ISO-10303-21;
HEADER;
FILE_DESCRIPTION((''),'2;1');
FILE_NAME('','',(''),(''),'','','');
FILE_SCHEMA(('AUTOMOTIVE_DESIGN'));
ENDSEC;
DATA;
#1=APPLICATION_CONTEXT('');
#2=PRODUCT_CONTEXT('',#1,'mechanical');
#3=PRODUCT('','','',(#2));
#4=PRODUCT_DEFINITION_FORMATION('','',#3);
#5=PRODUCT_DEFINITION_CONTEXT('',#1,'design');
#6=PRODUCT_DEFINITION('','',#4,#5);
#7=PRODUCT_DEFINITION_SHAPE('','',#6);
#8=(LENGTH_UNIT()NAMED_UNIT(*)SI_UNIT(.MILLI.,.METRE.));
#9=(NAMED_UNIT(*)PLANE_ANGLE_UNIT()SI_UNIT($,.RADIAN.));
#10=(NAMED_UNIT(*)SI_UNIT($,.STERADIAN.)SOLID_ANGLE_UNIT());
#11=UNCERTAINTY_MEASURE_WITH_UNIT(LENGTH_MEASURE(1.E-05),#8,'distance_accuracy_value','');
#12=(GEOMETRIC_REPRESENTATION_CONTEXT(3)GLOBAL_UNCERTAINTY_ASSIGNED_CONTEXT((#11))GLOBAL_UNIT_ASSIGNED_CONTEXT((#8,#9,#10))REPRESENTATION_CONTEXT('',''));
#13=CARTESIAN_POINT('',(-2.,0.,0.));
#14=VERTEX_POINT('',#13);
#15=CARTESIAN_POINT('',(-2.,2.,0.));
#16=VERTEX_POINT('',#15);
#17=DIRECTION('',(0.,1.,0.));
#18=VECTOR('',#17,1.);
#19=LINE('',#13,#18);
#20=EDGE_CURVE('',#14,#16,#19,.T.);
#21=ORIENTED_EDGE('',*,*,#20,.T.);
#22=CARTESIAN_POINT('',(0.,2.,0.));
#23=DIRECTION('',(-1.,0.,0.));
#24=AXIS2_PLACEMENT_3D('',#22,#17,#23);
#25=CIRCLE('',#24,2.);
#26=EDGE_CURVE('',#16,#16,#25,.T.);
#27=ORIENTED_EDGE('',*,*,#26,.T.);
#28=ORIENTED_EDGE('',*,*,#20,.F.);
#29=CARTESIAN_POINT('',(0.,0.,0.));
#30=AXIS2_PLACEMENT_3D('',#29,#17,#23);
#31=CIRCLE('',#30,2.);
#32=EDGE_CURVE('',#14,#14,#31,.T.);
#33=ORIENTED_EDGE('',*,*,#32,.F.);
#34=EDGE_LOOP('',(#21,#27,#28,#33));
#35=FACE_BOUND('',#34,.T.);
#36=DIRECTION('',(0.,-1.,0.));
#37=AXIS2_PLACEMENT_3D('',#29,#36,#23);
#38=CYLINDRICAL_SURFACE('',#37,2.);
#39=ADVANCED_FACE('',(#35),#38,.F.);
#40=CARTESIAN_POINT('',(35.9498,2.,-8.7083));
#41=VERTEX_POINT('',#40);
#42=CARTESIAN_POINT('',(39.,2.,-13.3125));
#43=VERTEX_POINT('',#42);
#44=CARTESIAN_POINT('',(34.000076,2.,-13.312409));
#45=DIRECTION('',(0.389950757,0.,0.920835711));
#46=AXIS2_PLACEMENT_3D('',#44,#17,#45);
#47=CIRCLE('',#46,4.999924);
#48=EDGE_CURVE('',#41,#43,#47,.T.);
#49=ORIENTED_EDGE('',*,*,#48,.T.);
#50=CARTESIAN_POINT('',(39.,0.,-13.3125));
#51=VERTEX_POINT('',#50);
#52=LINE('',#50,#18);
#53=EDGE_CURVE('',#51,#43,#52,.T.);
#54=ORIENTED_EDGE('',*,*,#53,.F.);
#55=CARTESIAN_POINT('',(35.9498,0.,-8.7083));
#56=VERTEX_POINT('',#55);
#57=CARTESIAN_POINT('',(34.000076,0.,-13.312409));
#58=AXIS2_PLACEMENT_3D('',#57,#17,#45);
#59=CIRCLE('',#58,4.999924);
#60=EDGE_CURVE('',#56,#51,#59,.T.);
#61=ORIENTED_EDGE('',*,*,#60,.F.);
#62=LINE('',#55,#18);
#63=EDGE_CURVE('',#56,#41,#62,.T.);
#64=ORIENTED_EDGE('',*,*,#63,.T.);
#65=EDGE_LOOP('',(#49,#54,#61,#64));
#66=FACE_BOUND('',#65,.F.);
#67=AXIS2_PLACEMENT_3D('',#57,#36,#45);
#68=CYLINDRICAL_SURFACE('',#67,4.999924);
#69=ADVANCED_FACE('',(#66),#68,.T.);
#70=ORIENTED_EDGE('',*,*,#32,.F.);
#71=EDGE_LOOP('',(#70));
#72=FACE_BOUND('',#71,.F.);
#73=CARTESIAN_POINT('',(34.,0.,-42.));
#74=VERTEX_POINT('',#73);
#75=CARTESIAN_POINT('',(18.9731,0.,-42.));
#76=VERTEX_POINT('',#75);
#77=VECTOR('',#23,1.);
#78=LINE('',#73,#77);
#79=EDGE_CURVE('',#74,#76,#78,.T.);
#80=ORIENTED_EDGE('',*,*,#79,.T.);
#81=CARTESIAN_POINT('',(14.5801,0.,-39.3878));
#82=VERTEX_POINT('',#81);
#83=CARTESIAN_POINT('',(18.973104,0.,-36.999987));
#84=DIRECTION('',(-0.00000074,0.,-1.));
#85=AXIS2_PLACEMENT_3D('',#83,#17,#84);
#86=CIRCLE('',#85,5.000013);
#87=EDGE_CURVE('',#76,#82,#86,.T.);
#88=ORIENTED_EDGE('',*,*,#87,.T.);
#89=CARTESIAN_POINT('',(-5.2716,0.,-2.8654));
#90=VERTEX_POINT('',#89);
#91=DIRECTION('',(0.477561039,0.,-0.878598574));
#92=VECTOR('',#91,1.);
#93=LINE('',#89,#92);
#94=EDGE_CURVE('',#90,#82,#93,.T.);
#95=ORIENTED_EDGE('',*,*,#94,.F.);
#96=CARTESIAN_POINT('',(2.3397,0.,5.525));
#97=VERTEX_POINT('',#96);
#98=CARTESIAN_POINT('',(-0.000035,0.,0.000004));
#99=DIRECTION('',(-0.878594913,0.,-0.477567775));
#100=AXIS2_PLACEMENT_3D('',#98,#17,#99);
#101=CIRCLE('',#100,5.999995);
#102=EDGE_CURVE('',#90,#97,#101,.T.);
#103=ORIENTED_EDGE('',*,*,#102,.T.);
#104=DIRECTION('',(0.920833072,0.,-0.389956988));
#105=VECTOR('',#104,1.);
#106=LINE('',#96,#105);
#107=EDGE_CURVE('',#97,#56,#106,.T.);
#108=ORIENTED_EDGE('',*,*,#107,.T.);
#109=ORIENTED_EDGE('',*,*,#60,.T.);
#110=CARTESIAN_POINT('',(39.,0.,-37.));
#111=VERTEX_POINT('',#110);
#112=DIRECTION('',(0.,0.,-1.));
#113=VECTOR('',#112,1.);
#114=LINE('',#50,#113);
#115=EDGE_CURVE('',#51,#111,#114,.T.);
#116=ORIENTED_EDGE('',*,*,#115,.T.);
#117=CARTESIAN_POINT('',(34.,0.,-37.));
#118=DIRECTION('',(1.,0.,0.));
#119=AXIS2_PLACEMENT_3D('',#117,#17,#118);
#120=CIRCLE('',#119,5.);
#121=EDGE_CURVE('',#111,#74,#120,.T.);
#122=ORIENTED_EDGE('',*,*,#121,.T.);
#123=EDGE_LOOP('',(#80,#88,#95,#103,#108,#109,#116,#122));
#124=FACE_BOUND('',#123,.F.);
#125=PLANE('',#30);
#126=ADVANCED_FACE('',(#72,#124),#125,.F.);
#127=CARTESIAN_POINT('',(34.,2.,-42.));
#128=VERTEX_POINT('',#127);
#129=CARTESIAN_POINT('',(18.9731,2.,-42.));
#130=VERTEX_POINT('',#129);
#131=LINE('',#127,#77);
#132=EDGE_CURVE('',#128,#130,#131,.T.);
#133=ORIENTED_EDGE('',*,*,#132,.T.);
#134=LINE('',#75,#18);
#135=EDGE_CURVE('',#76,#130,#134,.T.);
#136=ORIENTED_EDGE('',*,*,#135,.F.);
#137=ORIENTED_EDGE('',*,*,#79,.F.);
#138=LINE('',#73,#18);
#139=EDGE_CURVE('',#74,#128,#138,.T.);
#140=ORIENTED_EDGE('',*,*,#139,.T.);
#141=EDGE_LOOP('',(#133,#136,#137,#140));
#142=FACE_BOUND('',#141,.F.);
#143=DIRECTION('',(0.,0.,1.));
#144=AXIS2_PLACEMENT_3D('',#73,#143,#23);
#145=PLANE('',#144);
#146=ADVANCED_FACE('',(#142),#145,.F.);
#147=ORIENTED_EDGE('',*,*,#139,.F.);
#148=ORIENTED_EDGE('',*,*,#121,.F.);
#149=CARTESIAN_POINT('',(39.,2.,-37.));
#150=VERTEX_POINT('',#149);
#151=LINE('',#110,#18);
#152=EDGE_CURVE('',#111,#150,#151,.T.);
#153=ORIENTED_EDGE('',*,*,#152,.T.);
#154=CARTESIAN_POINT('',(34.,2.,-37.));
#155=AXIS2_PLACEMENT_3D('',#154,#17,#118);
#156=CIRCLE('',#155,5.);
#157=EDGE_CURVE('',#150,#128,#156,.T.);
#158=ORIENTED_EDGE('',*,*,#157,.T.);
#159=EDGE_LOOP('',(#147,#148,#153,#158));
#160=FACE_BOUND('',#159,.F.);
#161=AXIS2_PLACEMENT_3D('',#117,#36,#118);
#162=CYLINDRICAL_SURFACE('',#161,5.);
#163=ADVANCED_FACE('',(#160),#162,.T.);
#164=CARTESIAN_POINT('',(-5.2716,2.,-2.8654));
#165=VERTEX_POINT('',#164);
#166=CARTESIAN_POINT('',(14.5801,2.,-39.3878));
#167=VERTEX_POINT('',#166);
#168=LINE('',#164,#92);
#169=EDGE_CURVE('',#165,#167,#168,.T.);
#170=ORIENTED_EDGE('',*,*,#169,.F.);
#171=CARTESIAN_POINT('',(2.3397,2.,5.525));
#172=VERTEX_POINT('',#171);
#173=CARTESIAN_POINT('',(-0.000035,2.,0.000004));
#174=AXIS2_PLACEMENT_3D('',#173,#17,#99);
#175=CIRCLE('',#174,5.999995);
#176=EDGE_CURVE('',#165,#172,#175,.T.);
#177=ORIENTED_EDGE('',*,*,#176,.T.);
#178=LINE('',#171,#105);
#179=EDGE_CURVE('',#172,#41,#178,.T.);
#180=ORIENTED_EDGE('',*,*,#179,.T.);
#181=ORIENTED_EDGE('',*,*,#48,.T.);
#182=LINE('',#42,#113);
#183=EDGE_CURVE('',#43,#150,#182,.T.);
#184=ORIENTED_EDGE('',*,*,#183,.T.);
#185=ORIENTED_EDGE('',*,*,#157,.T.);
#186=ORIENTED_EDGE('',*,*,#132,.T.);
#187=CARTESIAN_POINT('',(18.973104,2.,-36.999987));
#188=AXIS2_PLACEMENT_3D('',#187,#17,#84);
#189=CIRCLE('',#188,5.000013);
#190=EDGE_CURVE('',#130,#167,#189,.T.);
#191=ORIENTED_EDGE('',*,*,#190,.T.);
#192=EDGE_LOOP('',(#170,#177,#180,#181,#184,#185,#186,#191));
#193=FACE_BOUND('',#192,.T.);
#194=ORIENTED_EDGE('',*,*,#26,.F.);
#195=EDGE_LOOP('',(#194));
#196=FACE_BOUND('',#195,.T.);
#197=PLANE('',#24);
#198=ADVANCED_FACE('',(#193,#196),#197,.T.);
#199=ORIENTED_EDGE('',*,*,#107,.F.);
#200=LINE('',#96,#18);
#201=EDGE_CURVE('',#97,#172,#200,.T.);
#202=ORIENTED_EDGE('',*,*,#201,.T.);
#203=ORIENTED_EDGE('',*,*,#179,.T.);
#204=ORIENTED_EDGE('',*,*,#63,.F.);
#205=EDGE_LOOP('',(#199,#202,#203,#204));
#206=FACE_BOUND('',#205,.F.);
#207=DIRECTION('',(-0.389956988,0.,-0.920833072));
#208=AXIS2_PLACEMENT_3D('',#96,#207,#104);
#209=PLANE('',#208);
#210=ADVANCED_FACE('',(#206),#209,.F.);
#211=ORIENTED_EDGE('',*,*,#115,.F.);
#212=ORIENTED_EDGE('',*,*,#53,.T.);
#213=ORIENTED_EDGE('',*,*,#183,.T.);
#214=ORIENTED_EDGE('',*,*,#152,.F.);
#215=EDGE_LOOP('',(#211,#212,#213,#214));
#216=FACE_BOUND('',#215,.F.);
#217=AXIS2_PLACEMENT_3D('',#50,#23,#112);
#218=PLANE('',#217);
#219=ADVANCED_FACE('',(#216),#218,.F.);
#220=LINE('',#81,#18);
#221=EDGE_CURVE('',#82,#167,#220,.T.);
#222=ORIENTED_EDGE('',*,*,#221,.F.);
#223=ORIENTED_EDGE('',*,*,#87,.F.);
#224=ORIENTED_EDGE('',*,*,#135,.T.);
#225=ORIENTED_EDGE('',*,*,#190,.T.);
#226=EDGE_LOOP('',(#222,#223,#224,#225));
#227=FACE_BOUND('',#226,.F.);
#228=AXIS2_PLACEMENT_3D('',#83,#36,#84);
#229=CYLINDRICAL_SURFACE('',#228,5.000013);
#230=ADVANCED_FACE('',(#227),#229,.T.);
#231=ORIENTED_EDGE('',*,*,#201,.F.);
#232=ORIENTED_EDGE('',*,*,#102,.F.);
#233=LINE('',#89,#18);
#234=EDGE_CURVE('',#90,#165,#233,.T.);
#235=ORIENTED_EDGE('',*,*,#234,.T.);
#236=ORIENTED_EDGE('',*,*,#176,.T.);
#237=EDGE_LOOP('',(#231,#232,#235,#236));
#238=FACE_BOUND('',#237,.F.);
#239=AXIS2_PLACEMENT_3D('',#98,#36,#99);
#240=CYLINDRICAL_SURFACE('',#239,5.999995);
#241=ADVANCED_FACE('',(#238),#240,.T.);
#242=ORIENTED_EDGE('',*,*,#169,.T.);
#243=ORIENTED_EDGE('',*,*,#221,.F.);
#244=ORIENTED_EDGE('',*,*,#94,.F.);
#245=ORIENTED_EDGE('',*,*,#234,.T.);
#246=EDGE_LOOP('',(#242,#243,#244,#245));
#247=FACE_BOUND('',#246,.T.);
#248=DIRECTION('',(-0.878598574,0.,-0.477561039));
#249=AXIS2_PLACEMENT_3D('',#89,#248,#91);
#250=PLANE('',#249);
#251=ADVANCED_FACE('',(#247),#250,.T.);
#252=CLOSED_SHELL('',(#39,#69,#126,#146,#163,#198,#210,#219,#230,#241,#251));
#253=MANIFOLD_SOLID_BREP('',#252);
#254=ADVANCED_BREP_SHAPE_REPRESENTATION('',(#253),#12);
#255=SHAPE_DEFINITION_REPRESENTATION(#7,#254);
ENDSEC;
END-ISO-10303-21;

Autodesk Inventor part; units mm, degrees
ref_plane "YZ Plane" through (0, 0, 0) normal (1, 0, 0) x (0, 1, 0)
ref_plane "XZ Plane" through (0, 0, 0) normal (0, 1, 0) x (-1, 0, 0)
ref_plane "XY Plane" through (0, 0, 0) normal (0, 0, 1) x (1, 0, 0)
sketch "Sketch1" plane through (0, 0, 0) normal (0, 1, 0) x (-1, 0, 0)
  circle A0 centre (0, 0) radius 12 construction
  line L0 (0, 0) -> (0, -50) construction
  line L1 (-20, -16) -> (-34, -16) construction
  line L2 (-34, -16) -> (-34, -50) construction
  line L3 (-34, -50) -> (-20, -50) construction
  line L4 (-20, -50) -> (-20, -16) construction
  circle A1 centre (0, 0) radius 2
  arc A2 (5.2716, -2.8654) -> (-2.3397, 5.525) centre (0, 0) ccw
  line L5 (-34, -42) -> (-18.9731, -42)
  line L6 (5.2716, -2.8654) -> (-14.5801, -39.3878)
  line L7 (-2.3397, 5.525) -> (-35.9498, -8.7083)
  line L8 (-39, -13.3125) -> (-39, -37)
  arc A3 (-18.9731, -42) -> (-14.5801, -39.3878) centre (-18.9731, -37) ccw
  arc A4 (-39, -37) -> (-34, -42) centre (-34, -37) ccw
  arc A5 (-35.9498, -8.7083) -> (-39, -13.3125) centre (-34, -13.3125) ccw
  point P0 (-39, -42)
  point P1 (-16, -42)
  point P2 (-39, -10)
  dimension "d0" = 50
  dimension "d1" = 24
  dimension "d2" = 14
  dimension "d3" = 34
  dimension "d4" = 16
  dimension "d5" = 20
  dimension "d6" = 4
  dimension "d7" = 12
  dimension "d8" = 26
  dimension "d9" = 23
  dimension "d10" = 5
  dimension "d11" = 32
  dimension "d12" = 5
  dimension "d13" = 5
extrude "Extrusion1" add sketch "Sketch1" along normal blind 2
properties part number "flange_large"
